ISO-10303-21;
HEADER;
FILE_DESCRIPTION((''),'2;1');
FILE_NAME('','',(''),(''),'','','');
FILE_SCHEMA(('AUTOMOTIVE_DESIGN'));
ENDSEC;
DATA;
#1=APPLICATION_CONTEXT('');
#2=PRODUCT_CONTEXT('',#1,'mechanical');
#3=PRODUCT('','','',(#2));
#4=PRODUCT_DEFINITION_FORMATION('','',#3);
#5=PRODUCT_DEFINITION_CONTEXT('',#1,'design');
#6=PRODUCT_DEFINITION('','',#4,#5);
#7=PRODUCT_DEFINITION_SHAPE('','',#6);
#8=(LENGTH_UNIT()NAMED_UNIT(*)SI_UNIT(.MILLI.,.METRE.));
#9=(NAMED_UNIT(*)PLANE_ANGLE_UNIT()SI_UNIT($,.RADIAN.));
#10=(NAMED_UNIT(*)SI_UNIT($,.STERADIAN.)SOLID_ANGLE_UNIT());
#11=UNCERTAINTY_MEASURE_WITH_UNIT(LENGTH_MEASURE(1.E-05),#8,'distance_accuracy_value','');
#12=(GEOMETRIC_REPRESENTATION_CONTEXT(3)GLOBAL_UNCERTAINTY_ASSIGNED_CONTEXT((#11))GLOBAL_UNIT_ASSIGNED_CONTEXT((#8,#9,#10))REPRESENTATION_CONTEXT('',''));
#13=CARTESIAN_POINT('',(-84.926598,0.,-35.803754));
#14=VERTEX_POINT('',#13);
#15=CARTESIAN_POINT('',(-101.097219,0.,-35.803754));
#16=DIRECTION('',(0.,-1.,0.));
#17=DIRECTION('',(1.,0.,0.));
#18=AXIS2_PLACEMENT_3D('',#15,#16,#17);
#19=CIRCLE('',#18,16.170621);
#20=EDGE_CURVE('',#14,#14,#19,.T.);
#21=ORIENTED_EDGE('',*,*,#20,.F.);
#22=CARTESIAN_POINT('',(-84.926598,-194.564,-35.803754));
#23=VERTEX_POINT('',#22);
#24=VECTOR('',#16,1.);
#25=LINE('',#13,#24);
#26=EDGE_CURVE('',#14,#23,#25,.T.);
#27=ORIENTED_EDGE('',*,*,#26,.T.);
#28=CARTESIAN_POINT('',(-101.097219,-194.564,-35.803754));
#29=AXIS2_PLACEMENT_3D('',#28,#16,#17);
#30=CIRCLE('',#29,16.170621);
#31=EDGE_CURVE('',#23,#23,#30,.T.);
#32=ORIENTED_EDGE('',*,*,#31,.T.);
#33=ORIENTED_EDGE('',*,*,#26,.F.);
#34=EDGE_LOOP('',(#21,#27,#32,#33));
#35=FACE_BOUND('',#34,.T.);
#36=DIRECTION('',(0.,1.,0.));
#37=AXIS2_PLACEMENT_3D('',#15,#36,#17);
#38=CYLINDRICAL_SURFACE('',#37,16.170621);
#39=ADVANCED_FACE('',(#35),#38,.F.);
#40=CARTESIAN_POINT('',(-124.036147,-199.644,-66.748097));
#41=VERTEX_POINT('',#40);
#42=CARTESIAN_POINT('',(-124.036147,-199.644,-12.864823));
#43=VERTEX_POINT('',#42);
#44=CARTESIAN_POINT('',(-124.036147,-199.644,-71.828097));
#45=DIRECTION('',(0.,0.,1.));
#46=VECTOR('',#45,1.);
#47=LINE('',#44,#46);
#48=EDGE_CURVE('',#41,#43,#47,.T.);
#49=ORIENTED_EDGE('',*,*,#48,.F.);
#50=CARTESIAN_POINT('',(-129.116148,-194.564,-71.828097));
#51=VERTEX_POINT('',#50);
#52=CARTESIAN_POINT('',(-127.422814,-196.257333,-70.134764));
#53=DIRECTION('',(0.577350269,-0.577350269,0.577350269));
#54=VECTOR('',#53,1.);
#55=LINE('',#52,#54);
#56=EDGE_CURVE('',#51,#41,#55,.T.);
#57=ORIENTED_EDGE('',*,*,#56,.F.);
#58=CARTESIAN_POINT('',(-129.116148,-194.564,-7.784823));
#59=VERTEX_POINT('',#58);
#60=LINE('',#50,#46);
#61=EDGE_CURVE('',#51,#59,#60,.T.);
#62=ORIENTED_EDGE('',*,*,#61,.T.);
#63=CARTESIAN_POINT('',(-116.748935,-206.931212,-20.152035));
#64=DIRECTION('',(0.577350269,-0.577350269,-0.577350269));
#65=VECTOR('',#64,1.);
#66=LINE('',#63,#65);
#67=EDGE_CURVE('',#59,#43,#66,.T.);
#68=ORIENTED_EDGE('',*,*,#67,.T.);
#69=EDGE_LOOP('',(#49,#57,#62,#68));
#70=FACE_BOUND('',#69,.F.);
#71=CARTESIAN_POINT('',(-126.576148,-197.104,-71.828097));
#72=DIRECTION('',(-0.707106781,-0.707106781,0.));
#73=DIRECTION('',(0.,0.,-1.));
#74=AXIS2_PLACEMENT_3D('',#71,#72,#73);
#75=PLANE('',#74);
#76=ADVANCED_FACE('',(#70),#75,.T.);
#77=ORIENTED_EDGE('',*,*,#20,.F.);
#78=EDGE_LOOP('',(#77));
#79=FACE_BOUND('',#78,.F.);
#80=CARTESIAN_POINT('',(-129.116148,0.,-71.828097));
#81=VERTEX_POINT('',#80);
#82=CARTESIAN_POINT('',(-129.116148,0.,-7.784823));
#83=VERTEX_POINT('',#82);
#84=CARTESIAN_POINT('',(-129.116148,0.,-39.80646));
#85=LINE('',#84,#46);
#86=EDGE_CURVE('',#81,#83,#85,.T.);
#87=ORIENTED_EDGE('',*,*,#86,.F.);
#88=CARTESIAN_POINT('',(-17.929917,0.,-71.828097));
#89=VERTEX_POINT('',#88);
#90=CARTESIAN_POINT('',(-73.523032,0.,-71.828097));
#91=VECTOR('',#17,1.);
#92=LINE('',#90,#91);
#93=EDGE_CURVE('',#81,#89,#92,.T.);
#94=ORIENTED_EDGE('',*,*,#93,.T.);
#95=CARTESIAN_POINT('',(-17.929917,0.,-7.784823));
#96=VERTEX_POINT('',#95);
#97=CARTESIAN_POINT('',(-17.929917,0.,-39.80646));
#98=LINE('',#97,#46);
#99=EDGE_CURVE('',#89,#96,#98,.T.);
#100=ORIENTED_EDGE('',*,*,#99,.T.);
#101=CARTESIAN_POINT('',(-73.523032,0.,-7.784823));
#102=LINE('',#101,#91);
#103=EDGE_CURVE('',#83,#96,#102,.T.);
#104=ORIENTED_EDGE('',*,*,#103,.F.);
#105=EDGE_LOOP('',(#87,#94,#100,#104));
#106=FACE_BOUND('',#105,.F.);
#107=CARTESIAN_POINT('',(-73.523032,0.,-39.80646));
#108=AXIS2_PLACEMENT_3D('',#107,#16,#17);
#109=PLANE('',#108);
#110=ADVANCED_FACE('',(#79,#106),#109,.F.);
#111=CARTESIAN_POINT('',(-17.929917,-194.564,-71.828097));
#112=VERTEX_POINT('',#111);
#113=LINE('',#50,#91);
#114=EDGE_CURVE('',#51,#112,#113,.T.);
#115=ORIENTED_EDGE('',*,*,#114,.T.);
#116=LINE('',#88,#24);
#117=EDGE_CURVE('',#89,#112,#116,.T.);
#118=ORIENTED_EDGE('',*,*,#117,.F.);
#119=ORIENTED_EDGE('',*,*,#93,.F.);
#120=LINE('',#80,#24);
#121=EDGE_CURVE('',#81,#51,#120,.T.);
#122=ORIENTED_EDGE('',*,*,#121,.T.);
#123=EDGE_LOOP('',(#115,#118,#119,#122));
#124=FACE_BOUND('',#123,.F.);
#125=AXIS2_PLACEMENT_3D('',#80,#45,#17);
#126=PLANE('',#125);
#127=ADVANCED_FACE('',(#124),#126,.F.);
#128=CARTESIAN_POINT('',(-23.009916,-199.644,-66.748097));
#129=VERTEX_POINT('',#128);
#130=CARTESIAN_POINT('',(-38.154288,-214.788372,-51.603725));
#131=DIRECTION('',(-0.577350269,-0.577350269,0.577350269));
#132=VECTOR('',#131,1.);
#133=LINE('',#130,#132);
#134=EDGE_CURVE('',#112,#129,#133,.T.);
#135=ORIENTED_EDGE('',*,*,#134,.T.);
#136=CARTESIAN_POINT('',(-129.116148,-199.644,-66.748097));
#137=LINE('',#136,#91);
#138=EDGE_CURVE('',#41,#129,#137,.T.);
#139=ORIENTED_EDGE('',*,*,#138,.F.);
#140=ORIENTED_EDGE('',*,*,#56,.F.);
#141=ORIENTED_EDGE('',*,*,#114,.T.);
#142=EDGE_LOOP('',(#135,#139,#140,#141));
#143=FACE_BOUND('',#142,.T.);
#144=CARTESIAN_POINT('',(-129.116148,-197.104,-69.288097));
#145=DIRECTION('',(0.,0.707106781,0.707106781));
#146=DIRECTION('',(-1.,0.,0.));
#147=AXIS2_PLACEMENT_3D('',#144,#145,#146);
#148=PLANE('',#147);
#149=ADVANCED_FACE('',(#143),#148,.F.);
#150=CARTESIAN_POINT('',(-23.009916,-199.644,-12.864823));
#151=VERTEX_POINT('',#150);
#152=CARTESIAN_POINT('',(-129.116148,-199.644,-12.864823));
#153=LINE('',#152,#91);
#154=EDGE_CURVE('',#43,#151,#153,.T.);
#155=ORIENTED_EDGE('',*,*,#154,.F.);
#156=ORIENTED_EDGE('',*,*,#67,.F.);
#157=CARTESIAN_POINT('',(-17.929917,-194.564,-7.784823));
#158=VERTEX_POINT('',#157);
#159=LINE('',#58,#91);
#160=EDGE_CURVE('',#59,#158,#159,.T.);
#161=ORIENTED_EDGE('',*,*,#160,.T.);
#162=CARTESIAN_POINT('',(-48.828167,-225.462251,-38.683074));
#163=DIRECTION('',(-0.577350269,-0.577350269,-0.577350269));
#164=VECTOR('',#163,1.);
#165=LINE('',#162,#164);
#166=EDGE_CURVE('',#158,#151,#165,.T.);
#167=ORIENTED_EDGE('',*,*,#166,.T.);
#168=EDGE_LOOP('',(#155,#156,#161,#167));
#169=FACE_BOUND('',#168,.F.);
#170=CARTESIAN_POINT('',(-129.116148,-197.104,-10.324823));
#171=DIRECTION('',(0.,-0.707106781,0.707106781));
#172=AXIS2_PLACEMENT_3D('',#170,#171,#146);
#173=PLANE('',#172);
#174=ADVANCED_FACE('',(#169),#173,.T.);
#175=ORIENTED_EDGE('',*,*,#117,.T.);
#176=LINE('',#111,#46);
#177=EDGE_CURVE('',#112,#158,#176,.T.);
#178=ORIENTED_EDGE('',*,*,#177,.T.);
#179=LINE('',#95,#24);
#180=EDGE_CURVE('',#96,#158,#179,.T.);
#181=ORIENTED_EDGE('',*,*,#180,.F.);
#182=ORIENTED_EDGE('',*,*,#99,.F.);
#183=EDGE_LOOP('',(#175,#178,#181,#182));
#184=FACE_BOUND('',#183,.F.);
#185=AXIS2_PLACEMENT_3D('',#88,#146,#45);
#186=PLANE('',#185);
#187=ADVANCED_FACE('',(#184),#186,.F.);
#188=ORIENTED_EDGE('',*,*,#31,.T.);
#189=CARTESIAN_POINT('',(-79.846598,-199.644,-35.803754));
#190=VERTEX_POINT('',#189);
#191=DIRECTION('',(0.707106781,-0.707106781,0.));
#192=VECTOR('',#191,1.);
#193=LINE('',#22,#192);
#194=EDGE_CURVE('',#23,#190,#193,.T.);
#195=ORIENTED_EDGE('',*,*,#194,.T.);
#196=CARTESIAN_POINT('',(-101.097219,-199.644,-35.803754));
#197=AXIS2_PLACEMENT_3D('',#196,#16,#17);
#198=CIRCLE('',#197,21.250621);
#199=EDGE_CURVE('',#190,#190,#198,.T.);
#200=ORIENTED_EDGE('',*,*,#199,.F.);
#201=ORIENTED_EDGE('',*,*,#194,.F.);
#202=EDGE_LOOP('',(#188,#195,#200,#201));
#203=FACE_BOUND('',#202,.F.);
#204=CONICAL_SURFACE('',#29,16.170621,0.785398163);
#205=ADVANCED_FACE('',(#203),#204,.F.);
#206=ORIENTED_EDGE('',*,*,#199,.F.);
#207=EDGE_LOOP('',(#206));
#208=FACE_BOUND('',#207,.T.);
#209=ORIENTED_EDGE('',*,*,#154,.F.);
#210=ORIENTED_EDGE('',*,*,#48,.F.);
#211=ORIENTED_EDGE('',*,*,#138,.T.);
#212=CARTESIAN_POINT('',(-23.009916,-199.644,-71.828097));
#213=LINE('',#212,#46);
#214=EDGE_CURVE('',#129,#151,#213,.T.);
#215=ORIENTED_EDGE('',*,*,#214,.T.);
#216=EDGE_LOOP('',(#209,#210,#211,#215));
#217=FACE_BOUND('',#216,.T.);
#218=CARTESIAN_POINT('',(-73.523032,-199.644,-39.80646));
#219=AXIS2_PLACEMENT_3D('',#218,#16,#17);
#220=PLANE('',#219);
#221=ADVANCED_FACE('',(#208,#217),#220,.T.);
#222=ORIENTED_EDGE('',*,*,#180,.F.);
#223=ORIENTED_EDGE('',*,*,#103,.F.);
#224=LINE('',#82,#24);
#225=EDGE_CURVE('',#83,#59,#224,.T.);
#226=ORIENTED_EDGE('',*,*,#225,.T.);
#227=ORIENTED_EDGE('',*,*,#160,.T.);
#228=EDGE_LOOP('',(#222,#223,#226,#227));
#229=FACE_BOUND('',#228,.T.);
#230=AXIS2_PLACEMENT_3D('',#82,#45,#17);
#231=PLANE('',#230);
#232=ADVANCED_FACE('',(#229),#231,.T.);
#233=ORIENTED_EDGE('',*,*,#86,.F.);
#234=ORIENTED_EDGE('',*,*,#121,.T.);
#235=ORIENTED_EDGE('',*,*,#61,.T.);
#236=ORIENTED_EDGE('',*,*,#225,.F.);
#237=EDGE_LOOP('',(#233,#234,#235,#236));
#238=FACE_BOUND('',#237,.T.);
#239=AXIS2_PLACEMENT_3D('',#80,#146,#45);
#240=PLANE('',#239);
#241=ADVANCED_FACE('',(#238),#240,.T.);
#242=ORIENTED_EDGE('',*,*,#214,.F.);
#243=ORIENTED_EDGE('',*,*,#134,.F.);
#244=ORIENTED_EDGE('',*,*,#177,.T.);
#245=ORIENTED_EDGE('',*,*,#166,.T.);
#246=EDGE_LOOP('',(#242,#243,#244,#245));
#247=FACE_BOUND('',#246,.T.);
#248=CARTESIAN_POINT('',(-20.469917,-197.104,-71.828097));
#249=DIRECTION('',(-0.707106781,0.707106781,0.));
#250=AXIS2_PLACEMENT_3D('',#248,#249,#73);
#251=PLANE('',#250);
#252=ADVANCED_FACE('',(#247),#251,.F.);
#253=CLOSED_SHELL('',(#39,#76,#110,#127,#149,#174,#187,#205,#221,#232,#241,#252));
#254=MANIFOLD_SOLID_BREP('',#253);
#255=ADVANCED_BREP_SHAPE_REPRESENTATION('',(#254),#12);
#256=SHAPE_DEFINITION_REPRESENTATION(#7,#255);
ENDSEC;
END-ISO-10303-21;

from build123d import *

# Parameters (mm, degrees)
F0_W     = 111.186231
F0_H     = 64.043274
F0_R     = 16.170621
F1_DEPTH = 199.644
F2_SIZE  = 5.08
F3_W     = 101.026231
F3_H     = 53.883274
F3_R     = 21.250621
F4_DEPTH = 127


with BuildPart() as f1:
    # F0 (on Front) → F1 (new body)
    with BuildSketch(Plane.XZ):
        with Locations((-73.523032, -39.80646)):
            Rectangle(F0_W, F0_H)
        with Locations((-101.097219, -35.803754)):
            Circle(F0_R, mode=Mode.SUBTRACT)
    extrude(amount=F1_DEPTH)

    # F2
    f2_edges = [f1.edges().sort_by_distance(p)[0] for p in [
        (-73.523032, -199.644, -7.784823),
        (-129.116148, -199.644, -39.80646),
        (-73.523032, -199.644, -71.828097),
        (-17.929917, -199.644, -39.80646),
        (-117.26784, -199.644, -35.803754),
    ]]
    chamfer(f2_edges, length=F2_SIZE)

    # F3 (on face) → F4 (join)
    with BuildSketch(Plane.XZ.offset(199.644)):
        with BuildLine():
            ThreePointArc((-62.805545, -55.70646), (-63.026238, -55.425729), (-63.238576, -55.138626))
            Line((-63.238576, -55.138626), (-63.238576, -55.70646))
            Line((-63.238576, -55.70646), (-62.805545, -55.70646))
        make_face()
        with BuildLine():
            ThreePointArc((-62.805545, -55.70646), (-53.377099, -60.202052), (-43.948654, -55.70646))
            Line((-43.948654, -55.70646), (-62.805545, -55.70646))
        make_face()
        with Locations((-73.523032, -39.80646)):
            Rectangle(F3_W, F3_H)
        with BuildLine():
            Line((-63.238576, -40.99594), (-63.238576, -25.149755))
            Line((-63.238576, -25.149755), (-40.182158, -25.149755))
            Line((-40.182158, -25.149755), (-40.182158, -55.70646))
            Line((-40.182158, -55.70646), (-43.948654, -55.70646))
            ThreePointArc((-43.948654, -55.70646), (-53.377099, -60.202052), (-62.805545, -55.70646))
            Line((-62.805545, -55.70646), (-63.238576, -55.70646))
            Line((-63.238576, -55.70646), (-63.238576, -55.138626))
            ThreePointArc((-63.238576, -55.138626), (-65.511868, -48.067283), (-63.238576, -40.99594))
        make_face(mode=Mode.SUBTRACT)
        with Locations((-101.097219, -35.803754)):
            Circle(F3_R, mode=Mode.SUBTRACT)
        with BuildLine():
            Line((-40.182158, -25.149755), (-63.238576, -25.149755))
            Line((-63.238576, -25.149755), (-63.238576, -40.99594))
            Line((-63.238576, -40.99594), (-63.238576, -55.138626))
            ThreePointArc((-63.238576, -55.138626), (-63.026238, -55.425729), (-62.805545, -55.70646))
            Line((-62.805545, -55.70646), (-43.948654, -55.70646))
            Line((-43.948654, -55.70646), (-40.182158, -55.70646))
            Line((-40.182158, -55.70646), (-40.182158, -25.149755))
        make_face()
    extrude(amount=-F4_DEPTH)


solid = f1.part
